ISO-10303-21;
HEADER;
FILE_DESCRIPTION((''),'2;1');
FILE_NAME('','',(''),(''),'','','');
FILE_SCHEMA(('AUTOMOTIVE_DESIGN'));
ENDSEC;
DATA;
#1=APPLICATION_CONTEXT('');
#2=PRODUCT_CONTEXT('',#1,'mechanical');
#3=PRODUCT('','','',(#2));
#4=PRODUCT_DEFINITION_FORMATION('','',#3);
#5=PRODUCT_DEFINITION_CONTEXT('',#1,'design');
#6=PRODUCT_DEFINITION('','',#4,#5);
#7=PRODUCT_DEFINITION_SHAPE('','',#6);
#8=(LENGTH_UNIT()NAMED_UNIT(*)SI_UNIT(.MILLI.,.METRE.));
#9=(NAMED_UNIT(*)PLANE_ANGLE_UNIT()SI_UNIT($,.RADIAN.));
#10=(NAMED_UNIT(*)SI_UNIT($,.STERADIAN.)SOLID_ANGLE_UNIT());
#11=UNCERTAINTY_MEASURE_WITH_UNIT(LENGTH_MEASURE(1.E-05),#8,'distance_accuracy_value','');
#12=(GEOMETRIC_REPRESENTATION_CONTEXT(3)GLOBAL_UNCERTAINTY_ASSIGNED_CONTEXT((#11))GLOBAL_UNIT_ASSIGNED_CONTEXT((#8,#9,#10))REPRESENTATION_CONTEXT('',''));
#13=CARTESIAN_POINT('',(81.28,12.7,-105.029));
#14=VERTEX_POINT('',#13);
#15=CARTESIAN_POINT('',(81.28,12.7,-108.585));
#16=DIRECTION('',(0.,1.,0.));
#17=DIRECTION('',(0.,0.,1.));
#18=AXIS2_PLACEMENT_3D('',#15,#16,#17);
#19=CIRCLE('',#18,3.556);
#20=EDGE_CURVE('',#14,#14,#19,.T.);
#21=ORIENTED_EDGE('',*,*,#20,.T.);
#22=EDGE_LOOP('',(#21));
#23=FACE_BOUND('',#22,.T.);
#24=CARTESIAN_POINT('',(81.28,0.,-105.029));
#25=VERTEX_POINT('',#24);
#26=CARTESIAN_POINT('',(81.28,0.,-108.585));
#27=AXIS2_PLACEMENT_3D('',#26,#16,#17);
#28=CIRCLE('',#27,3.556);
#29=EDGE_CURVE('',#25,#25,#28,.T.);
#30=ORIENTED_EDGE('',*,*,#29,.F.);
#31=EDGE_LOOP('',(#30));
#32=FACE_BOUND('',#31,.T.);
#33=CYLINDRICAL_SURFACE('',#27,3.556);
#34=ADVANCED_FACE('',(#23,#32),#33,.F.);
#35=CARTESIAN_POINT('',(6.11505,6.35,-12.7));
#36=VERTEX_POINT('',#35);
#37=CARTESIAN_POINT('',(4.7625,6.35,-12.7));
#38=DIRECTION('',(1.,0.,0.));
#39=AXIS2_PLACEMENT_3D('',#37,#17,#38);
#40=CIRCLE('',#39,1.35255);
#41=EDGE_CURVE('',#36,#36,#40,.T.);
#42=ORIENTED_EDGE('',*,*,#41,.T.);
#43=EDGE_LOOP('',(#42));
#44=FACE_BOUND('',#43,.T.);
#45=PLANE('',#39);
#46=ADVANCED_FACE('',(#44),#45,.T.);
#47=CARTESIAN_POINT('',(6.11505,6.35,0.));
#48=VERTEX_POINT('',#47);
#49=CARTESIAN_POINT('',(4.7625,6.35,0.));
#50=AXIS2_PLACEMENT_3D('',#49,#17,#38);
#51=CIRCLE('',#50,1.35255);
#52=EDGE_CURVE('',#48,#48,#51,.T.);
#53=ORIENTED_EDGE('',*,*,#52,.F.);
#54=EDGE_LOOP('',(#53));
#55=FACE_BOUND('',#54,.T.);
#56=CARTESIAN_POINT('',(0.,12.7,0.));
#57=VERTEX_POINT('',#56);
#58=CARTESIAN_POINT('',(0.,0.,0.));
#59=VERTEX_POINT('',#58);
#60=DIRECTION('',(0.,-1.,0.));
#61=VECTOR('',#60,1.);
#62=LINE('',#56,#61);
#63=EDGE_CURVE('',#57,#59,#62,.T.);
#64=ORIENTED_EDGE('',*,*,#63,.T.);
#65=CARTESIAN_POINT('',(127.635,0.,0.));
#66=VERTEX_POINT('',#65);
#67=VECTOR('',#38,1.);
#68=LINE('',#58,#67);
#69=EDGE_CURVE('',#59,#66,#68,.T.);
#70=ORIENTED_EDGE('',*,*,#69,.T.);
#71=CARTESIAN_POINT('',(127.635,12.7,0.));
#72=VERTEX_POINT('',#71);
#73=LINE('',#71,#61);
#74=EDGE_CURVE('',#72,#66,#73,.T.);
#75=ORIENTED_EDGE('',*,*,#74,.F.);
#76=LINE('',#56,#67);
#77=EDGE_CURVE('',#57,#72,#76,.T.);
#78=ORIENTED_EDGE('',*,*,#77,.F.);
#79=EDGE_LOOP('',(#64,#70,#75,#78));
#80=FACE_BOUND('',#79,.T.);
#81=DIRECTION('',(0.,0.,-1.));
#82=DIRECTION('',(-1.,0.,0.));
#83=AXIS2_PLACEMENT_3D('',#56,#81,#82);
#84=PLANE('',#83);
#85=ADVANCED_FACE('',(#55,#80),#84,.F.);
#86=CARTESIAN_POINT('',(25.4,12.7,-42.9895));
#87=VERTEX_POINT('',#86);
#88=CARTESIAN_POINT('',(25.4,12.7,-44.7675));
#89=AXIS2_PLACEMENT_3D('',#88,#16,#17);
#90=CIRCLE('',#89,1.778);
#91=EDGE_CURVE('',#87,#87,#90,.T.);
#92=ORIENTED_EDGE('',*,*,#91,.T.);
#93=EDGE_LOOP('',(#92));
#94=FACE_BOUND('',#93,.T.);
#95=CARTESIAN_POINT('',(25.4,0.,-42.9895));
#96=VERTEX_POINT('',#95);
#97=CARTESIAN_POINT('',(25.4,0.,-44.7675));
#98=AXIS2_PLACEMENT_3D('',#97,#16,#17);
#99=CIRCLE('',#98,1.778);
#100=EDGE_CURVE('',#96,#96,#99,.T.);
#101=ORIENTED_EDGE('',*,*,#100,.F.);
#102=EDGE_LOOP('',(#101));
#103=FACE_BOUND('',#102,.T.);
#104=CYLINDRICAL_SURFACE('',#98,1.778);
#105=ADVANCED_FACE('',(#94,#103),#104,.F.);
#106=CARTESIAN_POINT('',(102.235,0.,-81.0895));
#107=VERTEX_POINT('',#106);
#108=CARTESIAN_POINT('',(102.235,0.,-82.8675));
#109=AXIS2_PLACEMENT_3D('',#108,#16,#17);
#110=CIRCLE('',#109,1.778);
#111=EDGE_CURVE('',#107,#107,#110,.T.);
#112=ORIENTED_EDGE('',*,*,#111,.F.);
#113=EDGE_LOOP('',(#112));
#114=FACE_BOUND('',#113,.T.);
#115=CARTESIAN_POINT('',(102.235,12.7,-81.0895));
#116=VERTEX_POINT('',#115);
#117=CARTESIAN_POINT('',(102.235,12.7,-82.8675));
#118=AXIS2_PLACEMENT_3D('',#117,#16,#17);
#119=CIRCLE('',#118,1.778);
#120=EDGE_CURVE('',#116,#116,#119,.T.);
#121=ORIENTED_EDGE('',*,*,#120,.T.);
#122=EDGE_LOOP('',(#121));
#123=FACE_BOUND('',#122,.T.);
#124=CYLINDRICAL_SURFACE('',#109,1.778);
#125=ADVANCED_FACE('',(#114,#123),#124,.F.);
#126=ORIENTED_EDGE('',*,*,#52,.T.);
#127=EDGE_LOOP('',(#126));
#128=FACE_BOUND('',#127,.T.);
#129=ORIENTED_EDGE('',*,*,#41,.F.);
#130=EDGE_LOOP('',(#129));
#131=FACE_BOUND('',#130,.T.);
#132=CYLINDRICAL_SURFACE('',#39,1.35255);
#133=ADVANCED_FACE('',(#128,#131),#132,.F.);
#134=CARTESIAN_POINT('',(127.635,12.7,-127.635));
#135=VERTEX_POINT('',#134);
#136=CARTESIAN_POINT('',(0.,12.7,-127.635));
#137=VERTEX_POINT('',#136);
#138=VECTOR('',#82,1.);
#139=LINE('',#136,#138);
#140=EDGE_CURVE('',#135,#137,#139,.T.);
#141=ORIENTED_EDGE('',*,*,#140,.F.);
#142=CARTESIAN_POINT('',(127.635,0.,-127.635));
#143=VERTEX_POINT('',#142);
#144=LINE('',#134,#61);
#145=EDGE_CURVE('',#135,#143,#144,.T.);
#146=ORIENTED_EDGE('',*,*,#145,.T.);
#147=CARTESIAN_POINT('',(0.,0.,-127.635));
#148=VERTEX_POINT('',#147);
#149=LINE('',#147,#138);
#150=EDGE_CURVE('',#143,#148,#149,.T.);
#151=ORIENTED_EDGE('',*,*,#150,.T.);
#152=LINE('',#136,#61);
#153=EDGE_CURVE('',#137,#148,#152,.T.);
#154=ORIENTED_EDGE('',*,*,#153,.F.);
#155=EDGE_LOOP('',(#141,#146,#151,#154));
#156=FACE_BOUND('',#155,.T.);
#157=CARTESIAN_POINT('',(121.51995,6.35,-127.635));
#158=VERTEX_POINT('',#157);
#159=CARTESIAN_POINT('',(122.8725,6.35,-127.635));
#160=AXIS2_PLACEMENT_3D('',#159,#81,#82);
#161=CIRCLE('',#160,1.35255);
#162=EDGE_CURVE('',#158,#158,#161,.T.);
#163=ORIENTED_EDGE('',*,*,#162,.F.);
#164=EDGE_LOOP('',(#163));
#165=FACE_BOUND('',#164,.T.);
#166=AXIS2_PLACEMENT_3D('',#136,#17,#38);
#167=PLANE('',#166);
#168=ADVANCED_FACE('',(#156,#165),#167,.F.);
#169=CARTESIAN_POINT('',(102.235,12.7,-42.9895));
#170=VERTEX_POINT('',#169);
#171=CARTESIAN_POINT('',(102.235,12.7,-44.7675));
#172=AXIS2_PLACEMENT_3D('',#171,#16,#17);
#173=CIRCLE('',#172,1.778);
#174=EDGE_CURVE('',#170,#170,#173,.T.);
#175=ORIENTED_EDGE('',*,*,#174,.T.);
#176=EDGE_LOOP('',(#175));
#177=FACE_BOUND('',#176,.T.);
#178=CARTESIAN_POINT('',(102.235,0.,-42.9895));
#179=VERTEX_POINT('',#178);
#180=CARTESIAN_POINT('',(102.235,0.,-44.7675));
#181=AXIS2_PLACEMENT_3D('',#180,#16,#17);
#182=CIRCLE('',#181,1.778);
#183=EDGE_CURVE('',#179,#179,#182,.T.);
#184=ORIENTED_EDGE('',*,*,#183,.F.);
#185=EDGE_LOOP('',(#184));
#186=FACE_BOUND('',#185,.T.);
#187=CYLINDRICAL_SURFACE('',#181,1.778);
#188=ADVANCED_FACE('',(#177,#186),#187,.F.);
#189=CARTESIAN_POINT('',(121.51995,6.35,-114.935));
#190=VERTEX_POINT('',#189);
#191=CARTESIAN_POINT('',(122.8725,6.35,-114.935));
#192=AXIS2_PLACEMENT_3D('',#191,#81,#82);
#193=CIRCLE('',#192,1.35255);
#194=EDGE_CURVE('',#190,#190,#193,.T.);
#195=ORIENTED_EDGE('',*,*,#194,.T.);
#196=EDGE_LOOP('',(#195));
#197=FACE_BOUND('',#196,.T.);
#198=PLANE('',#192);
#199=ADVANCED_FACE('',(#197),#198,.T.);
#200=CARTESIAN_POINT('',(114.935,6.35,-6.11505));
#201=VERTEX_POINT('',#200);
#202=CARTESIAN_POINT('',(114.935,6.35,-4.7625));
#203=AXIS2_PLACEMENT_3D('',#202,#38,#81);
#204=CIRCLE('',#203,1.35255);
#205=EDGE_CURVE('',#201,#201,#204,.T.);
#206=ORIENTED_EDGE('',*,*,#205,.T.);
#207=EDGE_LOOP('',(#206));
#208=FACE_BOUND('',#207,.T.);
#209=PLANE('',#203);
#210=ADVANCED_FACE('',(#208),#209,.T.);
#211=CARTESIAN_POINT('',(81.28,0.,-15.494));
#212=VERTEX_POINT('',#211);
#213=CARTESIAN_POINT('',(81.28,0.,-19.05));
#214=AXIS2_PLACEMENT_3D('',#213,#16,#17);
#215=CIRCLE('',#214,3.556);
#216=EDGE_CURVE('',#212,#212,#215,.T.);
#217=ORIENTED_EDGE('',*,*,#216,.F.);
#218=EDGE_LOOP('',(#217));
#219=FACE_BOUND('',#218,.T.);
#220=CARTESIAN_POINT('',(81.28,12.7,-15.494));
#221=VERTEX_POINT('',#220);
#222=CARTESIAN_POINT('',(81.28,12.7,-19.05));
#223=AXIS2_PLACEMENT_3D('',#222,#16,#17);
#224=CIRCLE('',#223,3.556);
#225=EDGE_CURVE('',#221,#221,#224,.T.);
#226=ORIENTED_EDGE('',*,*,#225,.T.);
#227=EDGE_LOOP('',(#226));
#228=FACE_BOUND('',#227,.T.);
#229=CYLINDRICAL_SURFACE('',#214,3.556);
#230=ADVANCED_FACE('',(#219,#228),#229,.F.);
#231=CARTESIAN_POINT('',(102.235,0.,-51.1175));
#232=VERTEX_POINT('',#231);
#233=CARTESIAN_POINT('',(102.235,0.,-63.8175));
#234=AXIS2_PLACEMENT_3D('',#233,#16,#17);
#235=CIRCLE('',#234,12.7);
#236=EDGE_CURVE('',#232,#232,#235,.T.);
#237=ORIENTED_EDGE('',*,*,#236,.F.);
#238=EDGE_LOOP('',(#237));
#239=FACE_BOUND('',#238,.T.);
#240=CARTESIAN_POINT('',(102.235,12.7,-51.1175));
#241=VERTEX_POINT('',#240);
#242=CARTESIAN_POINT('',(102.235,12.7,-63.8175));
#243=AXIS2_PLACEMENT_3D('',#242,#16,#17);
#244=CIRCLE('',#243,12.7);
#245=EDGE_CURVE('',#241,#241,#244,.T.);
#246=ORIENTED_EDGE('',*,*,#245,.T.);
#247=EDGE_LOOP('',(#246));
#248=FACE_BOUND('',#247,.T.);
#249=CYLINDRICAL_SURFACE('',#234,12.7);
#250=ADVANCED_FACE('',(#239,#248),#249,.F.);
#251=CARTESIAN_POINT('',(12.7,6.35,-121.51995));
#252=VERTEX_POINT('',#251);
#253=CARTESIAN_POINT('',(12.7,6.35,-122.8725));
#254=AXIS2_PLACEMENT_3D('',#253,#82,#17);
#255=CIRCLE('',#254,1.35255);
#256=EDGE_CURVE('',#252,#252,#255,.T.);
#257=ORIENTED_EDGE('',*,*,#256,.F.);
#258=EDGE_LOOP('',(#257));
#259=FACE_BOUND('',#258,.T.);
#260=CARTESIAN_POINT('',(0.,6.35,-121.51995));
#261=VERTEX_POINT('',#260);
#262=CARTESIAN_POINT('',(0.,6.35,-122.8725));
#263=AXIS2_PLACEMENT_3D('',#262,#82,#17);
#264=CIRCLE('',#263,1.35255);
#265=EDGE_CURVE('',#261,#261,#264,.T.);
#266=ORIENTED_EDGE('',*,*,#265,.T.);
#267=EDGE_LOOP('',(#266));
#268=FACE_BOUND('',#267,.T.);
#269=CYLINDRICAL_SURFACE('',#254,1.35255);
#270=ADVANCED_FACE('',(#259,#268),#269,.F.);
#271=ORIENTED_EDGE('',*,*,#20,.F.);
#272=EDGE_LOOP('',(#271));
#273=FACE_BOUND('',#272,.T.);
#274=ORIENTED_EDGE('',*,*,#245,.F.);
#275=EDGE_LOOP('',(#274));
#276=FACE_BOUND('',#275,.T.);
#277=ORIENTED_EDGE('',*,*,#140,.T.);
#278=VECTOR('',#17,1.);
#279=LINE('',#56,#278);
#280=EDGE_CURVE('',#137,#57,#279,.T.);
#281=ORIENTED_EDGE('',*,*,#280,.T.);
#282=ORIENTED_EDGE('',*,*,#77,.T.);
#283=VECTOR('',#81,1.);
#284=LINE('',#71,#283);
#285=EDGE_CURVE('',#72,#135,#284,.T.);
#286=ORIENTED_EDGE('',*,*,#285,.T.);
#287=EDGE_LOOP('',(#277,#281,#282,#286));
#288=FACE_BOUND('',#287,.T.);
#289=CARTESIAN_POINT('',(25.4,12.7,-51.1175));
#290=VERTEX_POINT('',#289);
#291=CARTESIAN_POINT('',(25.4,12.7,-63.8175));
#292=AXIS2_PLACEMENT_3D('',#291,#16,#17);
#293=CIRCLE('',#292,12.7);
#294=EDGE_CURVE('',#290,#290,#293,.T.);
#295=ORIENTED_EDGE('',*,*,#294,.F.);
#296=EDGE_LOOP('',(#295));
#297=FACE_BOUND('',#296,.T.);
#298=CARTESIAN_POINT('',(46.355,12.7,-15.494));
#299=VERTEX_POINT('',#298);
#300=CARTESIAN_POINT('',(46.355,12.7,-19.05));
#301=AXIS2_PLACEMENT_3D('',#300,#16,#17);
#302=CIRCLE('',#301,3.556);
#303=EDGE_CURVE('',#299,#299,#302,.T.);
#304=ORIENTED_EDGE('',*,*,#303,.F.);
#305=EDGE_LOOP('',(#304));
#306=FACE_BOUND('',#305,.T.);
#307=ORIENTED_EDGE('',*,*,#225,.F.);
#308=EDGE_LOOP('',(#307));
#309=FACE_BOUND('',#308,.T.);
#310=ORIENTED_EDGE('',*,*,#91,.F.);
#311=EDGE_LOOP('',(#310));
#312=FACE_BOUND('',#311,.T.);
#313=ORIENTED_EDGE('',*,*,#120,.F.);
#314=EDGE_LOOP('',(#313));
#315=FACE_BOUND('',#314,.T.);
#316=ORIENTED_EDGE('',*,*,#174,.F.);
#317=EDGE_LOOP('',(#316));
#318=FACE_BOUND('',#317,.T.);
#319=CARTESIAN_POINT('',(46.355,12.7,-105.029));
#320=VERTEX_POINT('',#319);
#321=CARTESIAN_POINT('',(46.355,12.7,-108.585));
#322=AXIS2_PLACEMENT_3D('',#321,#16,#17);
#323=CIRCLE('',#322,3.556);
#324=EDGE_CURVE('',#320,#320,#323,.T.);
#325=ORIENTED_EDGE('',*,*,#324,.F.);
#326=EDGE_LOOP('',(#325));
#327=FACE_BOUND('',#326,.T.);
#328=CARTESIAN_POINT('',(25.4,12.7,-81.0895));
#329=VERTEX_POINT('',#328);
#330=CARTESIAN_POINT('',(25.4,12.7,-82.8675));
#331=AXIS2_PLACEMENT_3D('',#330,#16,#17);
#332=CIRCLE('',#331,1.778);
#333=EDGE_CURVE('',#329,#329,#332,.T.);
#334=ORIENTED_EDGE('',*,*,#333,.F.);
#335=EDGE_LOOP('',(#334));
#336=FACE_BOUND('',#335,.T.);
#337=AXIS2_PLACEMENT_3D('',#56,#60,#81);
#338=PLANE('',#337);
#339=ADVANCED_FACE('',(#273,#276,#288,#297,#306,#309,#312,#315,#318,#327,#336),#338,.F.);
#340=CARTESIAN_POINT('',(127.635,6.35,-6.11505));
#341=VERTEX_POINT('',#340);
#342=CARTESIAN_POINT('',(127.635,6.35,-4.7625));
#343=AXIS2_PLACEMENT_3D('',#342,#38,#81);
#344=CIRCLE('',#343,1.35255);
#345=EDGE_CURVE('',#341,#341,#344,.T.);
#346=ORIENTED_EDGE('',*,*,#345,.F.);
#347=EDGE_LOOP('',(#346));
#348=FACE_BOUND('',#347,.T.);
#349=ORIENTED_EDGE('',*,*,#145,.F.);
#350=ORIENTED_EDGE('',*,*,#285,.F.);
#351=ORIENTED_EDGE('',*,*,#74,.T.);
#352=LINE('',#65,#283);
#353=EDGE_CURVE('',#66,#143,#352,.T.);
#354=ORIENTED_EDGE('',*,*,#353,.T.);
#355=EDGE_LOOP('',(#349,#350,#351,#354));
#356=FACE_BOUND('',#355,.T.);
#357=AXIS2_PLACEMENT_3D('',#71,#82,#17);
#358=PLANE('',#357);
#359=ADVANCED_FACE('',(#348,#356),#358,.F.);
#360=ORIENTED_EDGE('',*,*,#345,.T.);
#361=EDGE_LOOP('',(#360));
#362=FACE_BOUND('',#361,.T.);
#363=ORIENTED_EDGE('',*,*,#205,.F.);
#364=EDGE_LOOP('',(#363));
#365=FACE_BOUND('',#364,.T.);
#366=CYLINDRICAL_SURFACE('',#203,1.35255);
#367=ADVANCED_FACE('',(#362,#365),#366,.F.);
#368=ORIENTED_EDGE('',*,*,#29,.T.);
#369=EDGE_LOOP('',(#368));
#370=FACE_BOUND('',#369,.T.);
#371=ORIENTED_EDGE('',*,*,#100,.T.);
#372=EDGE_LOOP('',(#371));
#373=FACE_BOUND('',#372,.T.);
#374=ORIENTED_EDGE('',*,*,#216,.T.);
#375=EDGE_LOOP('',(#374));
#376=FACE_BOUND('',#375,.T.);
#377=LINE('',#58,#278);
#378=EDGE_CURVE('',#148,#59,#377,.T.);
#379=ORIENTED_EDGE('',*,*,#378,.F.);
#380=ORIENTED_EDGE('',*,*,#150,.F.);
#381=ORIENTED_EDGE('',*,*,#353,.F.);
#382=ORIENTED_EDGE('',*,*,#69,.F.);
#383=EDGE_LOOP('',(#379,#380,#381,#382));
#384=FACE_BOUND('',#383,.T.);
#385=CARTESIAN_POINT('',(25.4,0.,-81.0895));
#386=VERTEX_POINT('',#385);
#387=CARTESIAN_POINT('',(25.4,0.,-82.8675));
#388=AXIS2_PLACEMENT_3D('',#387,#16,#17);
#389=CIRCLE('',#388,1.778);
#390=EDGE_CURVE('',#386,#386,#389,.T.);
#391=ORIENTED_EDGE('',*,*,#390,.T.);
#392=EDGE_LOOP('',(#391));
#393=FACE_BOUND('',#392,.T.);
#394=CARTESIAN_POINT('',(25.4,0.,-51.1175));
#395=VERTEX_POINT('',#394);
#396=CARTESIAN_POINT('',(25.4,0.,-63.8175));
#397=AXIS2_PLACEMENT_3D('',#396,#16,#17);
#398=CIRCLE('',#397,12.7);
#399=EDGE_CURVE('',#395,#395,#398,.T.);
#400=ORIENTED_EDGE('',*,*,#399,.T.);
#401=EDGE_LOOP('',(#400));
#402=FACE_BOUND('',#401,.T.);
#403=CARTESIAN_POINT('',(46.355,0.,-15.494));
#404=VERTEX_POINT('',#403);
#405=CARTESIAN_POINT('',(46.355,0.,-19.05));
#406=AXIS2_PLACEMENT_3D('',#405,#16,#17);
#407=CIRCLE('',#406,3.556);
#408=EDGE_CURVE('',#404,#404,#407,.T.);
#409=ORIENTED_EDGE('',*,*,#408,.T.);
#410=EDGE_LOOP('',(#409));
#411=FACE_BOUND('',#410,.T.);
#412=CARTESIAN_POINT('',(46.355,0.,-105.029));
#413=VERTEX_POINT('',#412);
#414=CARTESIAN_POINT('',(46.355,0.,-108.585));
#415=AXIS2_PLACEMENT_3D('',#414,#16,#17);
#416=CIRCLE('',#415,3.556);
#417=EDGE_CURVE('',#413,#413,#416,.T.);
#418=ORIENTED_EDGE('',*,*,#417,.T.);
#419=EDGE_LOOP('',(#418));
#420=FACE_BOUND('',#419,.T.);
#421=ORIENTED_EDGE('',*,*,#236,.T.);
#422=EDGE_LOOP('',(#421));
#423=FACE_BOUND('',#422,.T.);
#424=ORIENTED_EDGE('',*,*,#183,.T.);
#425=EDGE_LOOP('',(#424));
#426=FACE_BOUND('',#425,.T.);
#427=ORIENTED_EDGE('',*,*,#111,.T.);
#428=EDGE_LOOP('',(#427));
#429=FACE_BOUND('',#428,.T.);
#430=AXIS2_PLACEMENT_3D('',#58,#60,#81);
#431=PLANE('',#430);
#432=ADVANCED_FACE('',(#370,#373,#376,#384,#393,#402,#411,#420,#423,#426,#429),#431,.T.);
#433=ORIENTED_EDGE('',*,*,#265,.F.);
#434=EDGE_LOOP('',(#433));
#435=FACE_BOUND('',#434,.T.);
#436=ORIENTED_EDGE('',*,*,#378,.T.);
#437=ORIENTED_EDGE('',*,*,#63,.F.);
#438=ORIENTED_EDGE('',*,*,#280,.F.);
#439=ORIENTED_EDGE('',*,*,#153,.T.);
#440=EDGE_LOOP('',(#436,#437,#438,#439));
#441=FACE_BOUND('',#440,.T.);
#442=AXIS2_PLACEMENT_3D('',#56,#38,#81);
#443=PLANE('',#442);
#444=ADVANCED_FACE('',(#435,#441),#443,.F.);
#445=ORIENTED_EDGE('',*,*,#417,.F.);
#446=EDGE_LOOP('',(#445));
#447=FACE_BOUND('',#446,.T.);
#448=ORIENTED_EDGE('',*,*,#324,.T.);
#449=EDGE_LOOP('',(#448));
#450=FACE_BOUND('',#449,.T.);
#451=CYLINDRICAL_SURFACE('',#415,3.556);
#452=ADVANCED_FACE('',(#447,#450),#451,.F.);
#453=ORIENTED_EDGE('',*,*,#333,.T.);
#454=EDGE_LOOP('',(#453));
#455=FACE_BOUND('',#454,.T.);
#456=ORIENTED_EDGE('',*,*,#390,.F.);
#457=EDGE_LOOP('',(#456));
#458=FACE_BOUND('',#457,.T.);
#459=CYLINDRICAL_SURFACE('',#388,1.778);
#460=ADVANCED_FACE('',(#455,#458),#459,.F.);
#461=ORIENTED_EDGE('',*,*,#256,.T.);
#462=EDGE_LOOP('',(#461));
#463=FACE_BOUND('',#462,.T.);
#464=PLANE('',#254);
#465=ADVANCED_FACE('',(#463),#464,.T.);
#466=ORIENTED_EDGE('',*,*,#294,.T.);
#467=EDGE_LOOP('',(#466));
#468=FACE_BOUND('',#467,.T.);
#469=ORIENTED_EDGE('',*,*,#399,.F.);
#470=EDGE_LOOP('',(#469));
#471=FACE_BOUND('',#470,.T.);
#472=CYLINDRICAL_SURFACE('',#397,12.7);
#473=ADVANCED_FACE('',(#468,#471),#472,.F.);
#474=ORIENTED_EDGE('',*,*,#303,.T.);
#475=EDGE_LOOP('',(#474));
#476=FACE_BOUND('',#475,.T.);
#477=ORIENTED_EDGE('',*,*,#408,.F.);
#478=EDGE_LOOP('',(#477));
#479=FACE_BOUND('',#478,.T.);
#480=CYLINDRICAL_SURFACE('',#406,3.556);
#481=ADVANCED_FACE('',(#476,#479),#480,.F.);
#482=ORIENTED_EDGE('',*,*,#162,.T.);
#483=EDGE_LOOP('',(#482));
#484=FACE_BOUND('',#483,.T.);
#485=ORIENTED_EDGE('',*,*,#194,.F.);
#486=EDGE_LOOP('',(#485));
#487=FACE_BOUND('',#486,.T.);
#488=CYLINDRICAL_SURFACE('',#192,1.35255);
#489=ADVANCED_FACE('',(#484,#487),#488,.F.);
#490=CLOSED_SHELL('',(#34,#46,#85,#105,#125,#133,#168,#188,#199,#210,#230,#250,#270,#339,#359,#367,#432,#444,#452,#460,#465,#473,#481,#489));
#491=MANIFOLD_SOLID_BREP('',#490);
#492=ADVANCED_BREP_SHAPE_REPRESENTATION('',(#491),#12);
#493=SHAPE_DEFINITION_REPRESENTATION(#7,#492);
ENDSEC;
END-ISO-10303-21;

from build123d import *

# Parameters (mm, degrees)
SKETCH1_W                      = 127.635
SKETCH1_H                      = 127.635
MAIN_PLATE_DEPTH               = 12.7
SKETCH2_R                      = 3.556
U_BOLT_HOLE_DEPTH              = 12.7
U_BOLT_PATTERN_COUNT           = 2
U_BOLT_PATTERN_PITCH           = 34.925
U_BOLT_PATTERN_COUNT_DIR2      = 2
U_BOLT_PATTERN_PITCH_DIR2      = 89.535
SKETCH3_R                      = 1.778
RAPTOR_BOLT_HOLE_DEPTH         = 12.7
RAPTOR_BOLT_PATTERN_COUNT      = 2
RAPTOR_BOLT_PATTERN_PITCH      = 38.1
RAPTOR_BOLT_PATTERN_COUNT_DIR2 = 2
RAPTOR_BOLT_PATTERN_PITCH_DIR2 = 76.835
SKETCH4_R                      = 12.7
CO2_CYLINDER_HOLE_DEPTH        = 12.7
CO2_PATTERN_COUNT              = 2
CO2_PATTERN_PITCH              = 76.835
SKETCH5_R                      = 1.35255
FRAME_ATTACHMENT_HOLE_1_DEPTH  = 12.7
SKETCH6_R                      = 1.35255
FRAME_ATTACHMENT_HOLE_2_DEPTH  = 12.7
SKETCH7_R                      = 1.35255
FRAME_ATTACHMENT_HOLE_3_DEPTH  = 12.7
SKETCH8_R                      = 1.35255
FRAME_ATTACHMENT_HOLE_4_DEPTH  = 12.7


with BuildPart() as part:
    # Sketch1 → Main Plate (new body)
    with BuildSketch(Plane(origin=(0, 0, 0), x_dir=(1, 0, 0), z_dir=(0, 1, 0))):
        with Locations((63.8175, 63.8175)):
            Rectangle(SKETCH1_W, SKETCH1_H)
    extrude(amount=MAIN_PLATE_DEPTH)

    # Sketch2 → U-Bolt Hole (cut)
    with BuildSketch(Plane(origin=(0, 12.7, 0), x_dir=(1, 0, 0), z_dir=(0, 1, 0))):
        with Locations((46.355, 108.585)):
            Circle(SKETCH2_R)
    u_bolt_hole = extrude(amount=-U_BOLT_HOLE_DEPTH, mode=Mode.SUBTRACT)

    # U-Bolt Pattern: U-Bolt Hole 2 × 2
    with Locations(*[(i * U_BOLT_PATTERN_PITCH, 0, j * U_BOLT_PATTERN_PITCH_DIR2) for i in range(U_BOLT_PATTERN_COUNT) for j in range(U_BOLT_PATTERN_COUNT_DIR2) if (i, j) != (0, 0)]):
        add(u_bolt_hole, mode=Mode.SUBTRACT)

    # Sketch3 → Raptor Bolt Hole (cut)
    with BuildSketch(Plane(origin=(0, 12.7, 0), x_dir=(1, 0, 0), z_dir=(0, 1, 0))):
        with Locations((25.4, 44.7675)):
            Circle(SKETCH3_R)
    raptor_bolt_hole = extrude(amount=-RAPTOR_BOLT_HOLE_DEPTH, mode=Mode.SUBTRACT)

    # Raptor Bolt Pattern: Raptor Bolt Hole 2 × 2
    with Locations(*[(j * RAPTOR_BOLT_PATTERN_PITCH_DIR2, 0, -i * RAPTOR_BOLT_PATTERN_PITCH) for i in range(RAPTOR_BOLT_PATTERN_COUNT) for j in range(RAPTOR_BOLT_PATTERN_COUNT_DIR2) if (i, j) != (0, 0)]):
        add(raptor_bolt_hole, mode=Mode.SUBTRACT)

    # Sketch4 → Co2 Cylinder Hole (cut)
    with BuildSketch(Plane(origin=(0, 12.7, 0), x_dir=(1, 0, 0), z_dir=(0, 1, 0))):
        with Locations((25.4, 63.8175)):
            Circle(SKETCH4_R)
    co2_cylinder_hole = extrude(amount=-CO2_CYLINDER_HOLE_DEPTH, mode=Mode.SUBTRACT)

    # Co2 Pattern: Co2 Cylinder Hole ×2
    with Locations(*[(i * CO2_PATTERN_PITCH, 0, 0) for i in range(1, CO2_PATTERN_COUNT)]):
        add(co2_cylinder_hole, mode=Mode.SUBTRACT)

    # Sketch5 → Frame attachment hole 1 (cut)
    with BuildSketch(Plane.XY):
        with Locations((4.7625, 6.35)):
            Circle(SKETCH5_R)
    extrude(amount=-FRAME_ATTACHMENT_HOLE_1_DEPTH, mode=Mode.SUBTRACT)

    # Sketch6 → Frame attachment hole 2 (cut)
    with BuildSketch(Plane.ZY):
        with Locations((-122.8725, 6.35)):
            Circle(SKETCH6_R)
    extrude(amount=-FRAME_ATTACHMENT_HOLE_2_DEPTH, mode=Mode.SUBTRACT)

    # Sketch7 → Frame attachment hole 3 (cut)
    with BuildSketch(Plane(origin=(0, 0, -127.635), x_dir=(-1, 0, 0), z_dir=(0, 0, -1))):
        with Locations((-122.8725, 6.35)):
            Circle(SKETCH7_R)
    extrude(amount=-FRAME_ATTACHMENT_HOLE_3_DEPTH, mode=Mode.SUBTRACT)

    # Sketch8 → Frame attachment hole 4 (cut)
    with BuildSketch(Plane(origin=(127.635, 0, 0), x_dir=(0, 0, -1), z_dir=(1, 0, 0))):
        with Locations((4.7625, 6.35)):
            Circle(SKETCH8_R)
    extrude(amount=-FRAME_ATTACHMENT_HOLE_4_DEPTH, mode=Mode.SUBTRACT)


solid = part.part
